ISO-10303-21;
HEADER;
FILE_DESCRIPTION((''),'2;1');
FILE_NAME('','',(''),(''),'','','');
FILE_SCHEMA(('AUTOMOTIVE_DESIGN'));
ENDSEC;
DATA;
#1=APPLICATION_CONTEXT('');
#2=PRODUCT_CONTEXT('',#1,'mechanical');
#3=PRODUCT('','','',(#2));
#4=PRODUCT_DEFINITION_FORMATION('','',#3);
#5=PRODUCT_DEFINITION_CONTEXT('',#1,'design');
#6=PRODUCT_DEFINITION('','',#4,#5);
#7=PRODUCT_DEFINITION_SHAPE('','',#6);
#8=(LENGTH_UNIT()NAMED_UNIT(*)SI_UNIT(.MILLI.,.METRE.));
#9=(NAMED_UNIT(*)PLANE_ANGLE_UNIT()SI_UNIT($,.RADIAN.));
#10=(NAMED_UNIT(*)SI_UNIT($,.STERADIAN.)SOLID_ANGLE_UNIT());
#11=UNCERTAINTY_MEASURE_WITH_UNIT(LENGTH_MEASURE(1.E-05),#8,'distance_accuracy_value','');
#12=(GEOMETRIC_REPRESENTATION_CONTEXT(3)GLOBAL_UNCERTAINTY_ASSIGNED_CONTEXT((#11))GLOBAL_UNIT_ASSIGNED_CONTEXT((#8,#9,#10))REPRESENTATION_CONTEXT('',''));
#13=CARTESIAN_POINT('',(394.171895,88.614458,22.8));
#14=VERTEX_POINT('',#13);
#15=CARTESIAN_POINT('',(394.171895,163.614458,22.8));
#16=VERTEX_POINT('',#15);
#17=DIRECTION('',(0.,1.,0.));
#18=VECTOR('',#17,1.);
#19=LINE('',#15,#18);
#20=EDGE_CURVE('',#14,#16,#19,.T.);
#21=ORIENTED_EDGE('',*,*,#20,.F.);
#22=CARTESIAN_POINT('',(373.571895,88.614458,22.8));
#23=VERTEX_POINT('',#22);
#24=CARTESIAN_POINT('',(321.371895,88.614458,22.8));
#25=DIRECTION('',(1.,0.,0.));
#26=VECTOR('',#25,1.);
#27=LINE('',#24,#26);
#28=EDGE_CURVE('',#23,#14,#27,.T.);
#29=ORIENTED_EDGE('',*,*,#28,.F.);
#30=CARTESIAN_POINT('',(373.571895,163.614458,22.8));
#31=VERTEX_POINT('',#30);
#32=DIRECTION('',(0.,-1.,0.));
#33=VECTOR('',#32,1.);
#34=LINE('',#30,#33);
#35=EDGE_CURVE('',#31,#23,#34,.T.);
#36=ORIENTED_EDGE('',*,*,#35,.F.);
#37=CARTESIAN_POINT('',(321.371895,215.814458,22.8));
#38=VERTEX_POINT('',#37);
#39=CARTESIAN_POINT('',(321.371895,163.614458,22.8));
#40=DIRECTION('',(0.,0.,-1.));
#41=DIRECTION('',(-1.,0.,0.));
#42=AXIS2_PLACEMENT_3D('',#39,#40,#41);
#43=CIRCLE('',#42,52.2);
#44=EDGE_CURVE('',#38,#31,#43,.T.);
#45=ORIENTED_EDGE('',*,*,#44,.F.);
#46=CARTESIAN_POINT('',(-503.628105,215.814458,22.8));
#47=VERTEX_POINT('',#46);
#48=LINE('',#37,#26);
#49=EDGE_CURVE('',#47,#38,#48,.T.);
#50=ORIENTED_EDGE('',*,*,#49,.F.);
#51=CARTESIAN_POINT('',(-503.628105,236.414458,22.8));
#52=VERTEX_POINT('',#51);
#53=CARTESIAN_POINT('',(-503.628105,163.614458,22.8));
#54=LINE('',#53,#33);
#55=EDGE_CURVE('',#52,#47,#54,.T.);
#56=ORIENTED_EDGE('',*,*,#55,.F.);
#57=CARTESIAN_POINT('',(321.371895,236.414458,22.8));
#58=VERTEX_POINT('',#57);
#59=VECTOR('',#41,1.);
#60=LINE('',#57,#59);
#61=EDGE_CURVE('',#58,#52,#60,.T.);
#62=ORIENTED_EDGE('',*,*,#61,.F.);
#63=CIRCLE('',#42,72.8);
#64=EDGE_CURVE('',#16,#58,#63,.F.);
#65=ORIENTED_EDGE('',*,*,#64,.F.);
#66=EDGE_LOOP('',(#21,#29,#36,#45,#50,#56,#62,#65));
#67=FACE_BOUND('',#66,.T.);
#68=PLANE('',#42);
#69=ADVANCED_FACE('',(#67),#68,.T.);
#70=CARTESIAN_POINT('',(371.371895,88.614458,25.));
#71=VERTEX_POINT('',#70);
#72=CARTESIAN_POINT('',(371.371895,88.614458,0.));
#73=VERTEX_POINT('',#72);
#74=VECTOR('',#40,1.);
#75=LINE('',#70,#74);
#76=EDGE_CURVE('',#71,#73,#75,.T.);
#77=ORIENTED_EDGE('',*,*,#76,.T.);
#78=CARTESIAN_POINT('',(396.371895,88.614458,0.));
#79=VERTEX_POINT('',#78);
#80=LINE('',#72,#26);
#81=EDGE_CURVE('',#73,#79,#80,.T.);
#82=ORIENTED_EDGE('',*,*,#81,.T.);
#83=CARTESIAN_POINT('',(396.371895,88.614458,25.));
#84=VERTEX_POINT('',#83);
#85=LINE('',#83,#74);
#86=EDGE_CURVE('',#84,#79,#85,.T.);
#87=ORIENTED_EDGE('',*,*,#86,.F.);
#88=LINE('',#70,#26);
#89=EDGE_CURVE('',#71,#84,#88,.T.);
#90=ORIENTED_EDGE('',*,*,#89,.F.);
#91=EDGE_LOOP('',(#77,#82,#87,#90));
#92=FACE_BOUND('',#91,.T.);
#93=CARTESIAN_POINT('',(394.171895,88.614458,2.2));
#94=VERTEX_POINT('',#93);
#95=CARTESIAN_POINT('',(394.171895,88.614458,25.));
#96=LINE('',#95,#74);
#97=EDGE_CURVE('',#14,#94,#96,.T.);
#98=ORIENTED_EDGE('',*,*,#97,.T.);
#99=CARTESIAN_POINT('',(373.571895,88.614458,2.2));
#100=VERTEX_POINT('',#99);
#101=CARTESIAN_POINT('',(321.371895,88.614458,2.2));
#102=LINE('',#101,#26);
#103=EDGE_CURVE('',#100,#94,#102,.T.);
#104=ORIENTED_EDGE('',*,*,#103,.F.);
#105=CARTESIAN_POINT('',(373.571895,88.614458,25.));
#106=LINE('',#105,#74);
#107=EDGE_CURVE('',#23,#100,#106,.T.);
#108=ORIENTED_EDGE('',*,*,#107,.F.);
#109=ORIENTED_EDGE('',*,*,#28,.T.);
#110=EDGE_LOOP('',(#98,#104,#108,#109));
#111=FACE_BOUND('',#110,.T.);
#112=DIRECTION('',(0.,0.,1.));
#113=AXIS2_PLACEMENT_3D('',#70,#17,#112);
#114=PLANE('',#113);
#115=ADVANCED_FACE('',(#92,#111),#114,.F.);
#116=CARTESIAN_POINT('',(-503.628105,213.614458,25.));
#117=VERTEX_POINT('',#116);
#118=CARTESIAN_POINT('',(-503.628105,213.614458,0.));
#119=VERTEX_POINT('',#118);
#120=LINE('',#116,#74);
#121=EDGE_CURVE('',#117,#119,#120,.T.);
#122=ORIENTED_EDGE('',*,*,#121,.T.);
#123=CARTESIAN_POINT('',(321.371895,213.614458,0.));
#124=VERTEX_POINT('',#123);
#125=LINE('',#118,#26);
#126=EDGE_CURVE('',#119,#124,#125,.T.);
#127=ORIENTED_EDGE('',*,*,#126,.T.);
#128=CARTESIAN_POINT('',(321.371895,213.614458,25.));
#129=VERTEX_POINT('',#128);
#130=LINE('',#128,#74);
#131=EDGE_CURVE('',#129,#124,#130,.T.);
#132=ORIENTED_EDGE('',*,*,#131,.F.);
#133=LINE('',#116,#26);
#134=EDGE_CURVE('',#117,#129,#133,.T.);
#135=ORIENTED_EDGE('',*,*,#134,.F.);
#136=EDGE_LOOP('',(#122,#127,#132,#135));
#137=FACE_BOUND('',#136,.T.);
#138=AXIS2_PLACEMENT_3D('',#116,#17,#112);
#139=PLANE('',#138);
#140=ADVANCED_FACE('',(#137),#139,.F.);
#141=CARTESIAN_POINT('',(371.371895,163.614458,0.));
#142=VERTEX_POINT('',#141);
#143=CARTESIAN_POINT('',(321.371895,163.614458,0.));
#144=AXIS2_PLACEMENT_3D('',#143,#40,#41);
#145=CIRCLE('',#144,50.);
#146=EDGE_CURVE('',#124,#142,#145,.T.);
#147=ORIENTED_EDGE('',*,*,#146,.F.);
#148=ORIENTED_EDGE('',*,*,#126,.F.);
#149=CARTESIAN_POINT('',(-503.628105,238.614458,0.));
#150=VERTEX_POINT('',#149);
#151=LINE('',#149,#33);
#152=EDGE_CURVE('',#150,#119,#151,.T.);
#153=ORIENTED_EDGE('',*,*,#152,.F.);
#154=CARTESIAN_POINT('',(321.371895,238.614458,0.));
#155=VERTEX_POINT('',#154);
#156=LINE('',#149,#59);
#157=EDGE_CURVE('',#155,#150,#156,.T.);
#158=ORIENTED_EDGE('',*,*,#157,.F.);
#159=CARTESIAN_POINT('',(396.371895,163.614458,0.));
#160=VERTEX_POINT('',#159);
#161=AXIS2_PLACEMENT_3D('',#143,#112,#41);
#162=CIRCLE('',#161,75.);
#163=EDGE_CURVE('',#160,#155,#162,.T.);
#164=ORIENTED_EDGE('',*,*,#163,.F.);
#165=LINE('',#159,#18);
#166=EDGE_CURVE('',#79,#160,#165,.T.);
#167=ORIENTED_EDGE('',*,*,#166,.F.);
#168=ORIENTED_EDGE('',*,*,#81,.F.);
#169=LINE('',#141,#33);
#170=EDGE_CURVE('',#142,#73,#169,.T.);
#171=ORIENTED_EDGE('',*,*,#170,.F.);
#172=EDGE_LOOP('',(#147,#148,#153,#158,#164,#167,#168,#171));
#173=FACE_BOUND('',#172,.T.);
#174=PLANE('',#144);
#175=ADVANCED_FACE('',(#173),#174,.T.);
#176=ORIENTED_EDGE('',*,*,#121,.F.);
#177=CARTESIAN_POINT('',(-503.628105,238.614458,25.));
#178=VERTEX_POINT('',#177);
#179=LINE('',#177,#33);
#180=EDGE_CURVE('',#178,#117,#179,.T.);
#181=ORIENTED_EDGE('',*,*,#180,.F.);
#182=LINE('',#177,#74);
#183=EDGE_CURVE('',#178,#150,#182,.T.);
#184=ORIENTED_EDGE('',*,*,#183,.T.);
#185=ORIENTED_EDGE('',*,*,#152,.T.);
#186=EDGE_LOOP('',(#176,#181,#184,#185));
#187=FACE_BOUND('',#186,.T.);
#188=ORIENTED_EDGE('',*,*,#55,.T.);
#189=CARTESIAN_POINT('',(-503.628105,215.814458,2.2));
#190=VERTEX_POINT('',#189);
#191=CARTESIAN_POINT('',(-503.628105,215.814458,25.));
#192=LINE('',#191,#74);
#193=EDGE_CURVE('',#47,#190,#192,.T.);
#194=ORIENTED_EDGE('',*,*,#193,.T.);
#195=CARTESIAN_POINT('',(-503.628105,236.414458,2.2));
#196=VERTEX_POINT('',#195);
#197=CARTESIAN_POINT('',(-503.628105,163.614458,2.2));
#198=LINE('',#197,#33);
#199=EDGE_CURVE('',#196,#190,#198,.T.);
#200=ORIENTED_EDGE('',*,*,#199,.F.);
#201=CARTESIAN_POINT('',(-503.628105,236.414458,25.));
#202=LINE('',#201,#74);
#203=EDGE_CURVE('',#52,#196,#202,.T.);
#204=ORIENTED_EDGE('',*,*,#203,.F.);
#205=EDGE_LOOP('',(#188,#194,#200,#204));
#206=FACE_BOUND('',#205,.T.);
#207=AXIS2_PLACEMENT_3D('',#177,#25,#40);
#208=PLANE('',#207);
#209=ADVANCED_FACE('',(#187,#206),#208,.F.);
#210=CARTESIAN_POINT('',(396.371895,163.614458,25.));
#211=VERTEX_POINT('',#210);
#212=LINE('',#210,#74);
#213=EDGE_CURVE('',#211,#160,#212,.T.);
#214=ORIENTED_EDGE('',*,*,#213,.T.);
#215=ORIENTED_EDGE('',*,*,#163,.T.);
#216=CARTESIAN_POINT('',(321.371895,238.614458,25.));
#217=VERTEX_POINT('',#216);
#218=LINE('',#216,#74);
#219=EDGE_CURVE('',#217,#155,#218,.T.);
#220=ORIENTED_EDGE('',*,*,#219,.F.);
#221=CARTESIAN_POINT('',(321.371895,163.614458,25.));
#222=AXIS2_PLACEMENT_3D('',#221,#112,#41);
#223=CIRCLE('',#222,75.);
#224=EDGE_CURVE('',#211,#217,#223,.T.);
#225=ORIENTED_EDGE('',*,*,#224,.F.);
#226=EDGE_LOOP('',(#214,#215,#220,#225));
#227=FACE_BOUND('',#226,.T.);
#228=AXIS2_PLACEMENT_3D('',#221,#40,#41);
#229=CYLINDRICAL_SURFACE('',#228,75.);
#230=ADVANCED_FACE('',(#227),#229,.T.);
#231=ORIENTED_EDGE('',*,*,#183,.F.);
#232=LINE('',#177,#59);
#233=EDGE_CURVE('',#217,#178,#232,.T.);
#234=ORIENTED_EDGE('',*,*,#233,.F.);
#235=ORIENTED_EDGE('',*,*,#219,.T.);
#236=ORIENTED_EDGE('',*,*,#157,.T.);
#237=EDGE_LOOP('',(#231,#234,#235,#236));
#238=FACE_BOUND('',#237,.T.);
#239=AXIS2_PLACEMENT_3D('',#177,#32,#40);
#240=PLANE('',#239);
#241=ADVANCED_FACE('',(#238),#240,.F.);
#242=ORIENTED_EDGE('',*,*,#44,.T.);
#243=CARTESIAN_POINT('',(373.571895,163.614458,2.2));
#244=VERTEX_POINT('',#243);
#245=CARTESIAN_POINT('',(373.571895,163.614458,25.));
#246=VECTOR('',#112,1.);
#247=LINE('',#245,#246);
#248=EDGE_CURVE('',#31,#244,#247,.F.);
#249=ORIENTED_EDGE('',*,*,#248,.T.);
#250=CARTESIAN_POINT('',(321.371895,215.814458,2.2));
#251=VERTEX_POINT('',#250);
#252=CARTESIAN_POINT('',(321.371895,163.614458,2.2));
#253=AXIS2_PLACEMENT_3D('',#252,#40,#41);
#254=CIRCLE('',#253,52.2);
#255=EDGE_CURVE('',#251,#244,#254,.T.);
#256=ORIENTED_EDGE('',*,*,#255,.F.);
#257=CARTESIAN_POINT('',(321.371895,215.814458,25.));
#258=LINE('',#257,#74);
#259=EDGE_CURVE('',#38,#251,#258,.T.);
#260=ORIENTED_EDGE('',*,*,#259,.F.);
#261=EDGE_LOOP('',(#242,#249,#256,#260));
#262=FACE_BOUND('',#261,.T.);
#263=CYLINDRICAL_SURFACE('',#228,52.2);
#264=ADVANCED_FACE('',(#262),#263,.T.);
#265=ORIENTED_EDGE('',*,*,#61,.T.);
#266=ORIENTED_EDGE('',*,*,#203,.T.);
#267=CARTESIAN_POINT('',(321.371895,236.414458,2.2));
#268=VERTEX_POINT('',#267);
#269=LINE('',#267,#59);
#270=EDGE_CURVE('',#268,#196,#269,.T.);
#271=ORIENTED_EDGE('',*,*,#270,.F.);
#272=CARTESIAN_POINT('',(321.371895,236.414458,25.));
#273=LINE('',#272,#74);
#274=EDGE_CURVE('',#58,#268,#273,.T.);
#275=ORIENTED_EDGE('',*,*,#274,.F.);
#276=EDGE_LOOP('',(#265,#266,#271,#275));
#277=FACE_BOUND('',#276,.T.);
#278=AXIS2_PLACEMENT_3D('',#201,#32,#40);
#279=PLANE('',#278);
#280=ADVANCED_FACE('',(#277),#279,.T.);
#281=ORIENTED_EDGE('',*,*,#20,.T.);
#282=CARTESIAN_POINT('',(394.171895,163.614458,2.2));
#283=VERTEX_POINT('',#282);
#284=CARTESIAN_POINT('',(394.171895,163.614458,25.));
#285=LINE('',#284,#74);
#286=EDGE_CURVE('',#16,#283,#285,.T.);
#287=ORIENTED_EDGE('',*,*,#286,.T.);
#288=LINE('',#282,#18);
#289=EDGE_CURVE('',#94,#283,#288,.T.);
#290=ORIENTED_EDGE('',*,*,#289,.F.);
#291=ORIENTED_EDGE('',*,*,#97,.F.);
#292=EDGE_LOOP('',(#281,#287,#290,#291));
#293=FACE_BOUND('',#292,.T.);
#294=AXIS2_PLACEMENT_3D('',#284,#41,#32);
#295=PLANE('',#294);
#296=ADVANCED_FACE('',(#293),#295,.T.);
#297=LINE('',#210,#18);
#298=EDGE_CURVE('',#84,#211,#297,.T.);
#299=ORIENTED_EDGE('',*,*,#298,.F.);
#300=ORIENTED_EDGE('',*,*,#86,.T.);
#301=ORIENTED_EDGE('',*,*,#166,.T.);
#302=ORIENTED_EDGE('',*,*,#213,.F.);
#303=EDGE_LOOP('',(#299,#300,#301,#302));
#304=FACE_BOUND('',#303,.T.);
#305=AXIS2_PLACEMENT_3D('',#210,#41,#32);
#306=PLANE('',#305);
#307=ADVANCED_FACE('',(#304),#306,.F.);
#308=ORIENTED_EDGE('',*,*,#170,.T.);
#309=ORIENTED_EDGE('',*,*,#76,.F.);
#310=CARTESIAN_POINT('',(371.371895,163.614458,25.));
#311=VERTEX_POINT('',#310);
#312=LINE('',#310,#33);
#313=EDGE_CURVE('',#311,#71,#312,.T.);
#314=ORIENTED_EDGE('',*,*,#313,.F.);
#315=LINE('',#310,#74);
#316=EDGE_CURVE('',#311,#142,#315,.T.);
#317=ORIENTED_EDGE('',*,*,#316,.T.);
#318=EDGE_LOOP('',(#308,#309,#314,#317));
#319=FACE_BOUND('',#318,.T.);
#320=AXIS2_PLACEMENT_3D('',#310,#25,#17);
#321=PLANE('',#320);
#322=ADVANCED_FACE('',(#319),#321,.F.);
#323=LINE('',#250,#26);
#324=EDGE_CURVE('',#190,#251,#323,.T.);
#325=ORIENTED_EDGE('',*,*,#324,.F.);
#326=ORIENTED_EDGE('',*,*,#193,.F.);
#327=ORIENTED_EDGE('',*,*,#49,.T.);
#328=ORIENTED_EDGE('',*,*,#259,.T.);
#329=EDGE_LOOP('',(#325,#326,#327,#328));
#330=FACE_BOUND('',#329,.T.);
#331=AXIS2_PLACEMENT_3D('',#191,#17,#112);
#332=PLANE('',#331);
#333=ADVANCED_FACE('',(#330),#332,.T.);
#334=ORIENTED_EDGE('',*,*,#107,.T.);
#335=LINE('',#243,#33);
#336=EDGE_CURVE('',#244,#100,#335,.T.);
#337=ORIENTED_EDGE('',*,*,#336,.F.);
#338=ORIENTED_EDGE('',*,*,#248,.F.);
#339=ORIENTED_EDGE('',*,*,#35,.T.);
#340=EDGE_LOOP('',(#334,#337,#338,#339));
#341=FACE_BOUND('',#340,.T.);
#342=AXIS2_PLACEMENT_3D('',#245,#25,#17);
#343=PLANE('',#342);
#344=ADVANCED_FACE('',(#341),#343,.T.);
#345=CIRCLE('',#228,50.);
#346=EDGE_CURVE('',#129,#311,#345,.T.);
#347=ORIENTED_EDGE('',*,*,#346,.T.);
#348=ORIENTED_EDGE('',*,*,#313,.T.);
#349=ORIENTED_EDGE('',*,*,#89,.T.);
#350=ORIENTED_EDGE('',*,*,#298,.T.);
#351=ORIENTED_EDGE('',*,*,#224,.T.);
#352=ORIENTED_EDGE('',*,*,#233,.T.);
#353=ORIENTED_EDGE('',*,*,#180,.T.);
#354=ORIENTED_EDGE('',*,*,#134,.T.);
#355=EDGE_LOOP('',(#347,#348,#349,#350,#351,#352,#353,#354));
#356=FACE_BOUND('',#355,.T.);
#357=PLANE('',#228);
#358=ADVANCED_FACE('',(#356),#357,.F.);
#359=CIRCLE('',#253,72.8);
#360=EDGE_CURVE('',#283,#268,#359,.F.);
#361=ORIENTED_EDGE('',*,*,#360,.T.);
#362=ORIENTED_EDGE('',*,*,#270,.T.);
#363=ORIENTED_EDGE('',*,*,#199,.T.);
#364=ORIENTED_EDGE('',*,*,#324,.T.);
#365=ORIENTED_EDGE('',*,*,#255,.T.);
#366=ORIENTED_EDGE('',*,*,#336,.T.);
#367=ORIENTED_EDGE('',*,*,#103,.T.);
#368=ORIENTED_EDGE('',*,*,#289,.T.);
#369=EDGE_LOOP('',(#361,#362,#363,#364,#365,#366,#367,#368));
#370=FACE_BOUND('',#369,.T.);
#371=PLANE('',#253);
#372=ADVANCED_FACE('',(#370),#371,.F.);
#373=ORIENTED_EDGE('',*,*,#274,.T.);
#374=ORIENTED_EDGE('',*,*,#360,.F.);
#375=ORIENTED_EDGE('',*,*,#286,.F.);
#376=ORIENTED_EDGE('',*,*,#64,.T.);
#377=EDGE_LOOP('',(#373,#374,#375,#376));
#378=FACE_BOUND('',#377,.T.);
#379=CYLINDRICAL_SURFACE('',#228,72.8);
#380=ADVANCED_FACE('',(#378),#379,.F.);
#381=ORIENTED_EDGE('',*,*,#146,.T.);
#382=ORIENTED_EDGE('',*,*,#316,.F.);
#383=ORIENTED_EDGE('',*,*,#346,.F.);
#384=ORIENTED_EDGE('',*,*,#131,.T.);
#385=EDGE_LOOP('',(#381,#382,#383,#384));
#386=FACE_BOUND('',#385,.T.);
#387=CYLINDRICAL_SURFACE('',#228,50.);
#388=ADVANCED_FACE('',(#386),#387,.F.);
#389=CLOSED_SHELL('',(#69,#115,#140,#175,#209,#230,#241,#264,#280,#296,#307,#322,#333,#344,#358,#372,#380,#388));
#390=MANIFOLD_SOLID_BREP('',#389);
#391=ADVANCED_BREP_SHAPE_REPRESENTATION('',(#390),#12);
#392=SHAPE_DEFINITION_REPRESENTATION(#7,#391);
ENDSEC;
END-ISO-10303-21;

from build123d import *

# Parameters (mm, degrees)
EXTRUDE_1_DEPTH = 25
SHELL_1_T       = -2.2


with BuildPart() as part:
    # Эскиз1 → Бобышка-Вытянуть1 (new body)
    with BuildSketch(Plane.XY):
        with BuildLine():
            Line((-503.628105098, 213.614457831), (321.371894902, 213.614457831))
            ThreePointArc((321.371894902, 213.614457831), (356.727233962, 198.969796891), (371.371894902, 163.614457831))
            Line((371.371894902, 163.614457831), (371.371894902, 88.614457831))
            Line((371.371894902, 88.614457831), (396.371894902, 88.614457831))
            Line((396.371894902, 88.614457831), (396.371894902, 163.614457831))
            ThreePointArc((396.371894902, 163.614457831), (374.404903491, 216.64746642), (321.371894902, 238.614457831))
            Line((321.371894902, 238.614457831), (-503.628105098, 238.614457831))
            Line((-503.628105098, 238.614457831), (-503.628105098, 213.614457831))
        make_face()
    extrude(amount=EXTRUDE_1_DEPTH)

    # Оболочка1
    shell_1_openings = [part.faces().sort_by_distance(p)[0] for p in [
        (383.871894902, 88.614457831, 12.5),
        (-503.628105098, 226.114457831, 12.5),
    ]]
    offset(amount=SHELL_1_T, openings=shell_1_openings, kind=Kind.INTERSECTION)


solid = part.part
